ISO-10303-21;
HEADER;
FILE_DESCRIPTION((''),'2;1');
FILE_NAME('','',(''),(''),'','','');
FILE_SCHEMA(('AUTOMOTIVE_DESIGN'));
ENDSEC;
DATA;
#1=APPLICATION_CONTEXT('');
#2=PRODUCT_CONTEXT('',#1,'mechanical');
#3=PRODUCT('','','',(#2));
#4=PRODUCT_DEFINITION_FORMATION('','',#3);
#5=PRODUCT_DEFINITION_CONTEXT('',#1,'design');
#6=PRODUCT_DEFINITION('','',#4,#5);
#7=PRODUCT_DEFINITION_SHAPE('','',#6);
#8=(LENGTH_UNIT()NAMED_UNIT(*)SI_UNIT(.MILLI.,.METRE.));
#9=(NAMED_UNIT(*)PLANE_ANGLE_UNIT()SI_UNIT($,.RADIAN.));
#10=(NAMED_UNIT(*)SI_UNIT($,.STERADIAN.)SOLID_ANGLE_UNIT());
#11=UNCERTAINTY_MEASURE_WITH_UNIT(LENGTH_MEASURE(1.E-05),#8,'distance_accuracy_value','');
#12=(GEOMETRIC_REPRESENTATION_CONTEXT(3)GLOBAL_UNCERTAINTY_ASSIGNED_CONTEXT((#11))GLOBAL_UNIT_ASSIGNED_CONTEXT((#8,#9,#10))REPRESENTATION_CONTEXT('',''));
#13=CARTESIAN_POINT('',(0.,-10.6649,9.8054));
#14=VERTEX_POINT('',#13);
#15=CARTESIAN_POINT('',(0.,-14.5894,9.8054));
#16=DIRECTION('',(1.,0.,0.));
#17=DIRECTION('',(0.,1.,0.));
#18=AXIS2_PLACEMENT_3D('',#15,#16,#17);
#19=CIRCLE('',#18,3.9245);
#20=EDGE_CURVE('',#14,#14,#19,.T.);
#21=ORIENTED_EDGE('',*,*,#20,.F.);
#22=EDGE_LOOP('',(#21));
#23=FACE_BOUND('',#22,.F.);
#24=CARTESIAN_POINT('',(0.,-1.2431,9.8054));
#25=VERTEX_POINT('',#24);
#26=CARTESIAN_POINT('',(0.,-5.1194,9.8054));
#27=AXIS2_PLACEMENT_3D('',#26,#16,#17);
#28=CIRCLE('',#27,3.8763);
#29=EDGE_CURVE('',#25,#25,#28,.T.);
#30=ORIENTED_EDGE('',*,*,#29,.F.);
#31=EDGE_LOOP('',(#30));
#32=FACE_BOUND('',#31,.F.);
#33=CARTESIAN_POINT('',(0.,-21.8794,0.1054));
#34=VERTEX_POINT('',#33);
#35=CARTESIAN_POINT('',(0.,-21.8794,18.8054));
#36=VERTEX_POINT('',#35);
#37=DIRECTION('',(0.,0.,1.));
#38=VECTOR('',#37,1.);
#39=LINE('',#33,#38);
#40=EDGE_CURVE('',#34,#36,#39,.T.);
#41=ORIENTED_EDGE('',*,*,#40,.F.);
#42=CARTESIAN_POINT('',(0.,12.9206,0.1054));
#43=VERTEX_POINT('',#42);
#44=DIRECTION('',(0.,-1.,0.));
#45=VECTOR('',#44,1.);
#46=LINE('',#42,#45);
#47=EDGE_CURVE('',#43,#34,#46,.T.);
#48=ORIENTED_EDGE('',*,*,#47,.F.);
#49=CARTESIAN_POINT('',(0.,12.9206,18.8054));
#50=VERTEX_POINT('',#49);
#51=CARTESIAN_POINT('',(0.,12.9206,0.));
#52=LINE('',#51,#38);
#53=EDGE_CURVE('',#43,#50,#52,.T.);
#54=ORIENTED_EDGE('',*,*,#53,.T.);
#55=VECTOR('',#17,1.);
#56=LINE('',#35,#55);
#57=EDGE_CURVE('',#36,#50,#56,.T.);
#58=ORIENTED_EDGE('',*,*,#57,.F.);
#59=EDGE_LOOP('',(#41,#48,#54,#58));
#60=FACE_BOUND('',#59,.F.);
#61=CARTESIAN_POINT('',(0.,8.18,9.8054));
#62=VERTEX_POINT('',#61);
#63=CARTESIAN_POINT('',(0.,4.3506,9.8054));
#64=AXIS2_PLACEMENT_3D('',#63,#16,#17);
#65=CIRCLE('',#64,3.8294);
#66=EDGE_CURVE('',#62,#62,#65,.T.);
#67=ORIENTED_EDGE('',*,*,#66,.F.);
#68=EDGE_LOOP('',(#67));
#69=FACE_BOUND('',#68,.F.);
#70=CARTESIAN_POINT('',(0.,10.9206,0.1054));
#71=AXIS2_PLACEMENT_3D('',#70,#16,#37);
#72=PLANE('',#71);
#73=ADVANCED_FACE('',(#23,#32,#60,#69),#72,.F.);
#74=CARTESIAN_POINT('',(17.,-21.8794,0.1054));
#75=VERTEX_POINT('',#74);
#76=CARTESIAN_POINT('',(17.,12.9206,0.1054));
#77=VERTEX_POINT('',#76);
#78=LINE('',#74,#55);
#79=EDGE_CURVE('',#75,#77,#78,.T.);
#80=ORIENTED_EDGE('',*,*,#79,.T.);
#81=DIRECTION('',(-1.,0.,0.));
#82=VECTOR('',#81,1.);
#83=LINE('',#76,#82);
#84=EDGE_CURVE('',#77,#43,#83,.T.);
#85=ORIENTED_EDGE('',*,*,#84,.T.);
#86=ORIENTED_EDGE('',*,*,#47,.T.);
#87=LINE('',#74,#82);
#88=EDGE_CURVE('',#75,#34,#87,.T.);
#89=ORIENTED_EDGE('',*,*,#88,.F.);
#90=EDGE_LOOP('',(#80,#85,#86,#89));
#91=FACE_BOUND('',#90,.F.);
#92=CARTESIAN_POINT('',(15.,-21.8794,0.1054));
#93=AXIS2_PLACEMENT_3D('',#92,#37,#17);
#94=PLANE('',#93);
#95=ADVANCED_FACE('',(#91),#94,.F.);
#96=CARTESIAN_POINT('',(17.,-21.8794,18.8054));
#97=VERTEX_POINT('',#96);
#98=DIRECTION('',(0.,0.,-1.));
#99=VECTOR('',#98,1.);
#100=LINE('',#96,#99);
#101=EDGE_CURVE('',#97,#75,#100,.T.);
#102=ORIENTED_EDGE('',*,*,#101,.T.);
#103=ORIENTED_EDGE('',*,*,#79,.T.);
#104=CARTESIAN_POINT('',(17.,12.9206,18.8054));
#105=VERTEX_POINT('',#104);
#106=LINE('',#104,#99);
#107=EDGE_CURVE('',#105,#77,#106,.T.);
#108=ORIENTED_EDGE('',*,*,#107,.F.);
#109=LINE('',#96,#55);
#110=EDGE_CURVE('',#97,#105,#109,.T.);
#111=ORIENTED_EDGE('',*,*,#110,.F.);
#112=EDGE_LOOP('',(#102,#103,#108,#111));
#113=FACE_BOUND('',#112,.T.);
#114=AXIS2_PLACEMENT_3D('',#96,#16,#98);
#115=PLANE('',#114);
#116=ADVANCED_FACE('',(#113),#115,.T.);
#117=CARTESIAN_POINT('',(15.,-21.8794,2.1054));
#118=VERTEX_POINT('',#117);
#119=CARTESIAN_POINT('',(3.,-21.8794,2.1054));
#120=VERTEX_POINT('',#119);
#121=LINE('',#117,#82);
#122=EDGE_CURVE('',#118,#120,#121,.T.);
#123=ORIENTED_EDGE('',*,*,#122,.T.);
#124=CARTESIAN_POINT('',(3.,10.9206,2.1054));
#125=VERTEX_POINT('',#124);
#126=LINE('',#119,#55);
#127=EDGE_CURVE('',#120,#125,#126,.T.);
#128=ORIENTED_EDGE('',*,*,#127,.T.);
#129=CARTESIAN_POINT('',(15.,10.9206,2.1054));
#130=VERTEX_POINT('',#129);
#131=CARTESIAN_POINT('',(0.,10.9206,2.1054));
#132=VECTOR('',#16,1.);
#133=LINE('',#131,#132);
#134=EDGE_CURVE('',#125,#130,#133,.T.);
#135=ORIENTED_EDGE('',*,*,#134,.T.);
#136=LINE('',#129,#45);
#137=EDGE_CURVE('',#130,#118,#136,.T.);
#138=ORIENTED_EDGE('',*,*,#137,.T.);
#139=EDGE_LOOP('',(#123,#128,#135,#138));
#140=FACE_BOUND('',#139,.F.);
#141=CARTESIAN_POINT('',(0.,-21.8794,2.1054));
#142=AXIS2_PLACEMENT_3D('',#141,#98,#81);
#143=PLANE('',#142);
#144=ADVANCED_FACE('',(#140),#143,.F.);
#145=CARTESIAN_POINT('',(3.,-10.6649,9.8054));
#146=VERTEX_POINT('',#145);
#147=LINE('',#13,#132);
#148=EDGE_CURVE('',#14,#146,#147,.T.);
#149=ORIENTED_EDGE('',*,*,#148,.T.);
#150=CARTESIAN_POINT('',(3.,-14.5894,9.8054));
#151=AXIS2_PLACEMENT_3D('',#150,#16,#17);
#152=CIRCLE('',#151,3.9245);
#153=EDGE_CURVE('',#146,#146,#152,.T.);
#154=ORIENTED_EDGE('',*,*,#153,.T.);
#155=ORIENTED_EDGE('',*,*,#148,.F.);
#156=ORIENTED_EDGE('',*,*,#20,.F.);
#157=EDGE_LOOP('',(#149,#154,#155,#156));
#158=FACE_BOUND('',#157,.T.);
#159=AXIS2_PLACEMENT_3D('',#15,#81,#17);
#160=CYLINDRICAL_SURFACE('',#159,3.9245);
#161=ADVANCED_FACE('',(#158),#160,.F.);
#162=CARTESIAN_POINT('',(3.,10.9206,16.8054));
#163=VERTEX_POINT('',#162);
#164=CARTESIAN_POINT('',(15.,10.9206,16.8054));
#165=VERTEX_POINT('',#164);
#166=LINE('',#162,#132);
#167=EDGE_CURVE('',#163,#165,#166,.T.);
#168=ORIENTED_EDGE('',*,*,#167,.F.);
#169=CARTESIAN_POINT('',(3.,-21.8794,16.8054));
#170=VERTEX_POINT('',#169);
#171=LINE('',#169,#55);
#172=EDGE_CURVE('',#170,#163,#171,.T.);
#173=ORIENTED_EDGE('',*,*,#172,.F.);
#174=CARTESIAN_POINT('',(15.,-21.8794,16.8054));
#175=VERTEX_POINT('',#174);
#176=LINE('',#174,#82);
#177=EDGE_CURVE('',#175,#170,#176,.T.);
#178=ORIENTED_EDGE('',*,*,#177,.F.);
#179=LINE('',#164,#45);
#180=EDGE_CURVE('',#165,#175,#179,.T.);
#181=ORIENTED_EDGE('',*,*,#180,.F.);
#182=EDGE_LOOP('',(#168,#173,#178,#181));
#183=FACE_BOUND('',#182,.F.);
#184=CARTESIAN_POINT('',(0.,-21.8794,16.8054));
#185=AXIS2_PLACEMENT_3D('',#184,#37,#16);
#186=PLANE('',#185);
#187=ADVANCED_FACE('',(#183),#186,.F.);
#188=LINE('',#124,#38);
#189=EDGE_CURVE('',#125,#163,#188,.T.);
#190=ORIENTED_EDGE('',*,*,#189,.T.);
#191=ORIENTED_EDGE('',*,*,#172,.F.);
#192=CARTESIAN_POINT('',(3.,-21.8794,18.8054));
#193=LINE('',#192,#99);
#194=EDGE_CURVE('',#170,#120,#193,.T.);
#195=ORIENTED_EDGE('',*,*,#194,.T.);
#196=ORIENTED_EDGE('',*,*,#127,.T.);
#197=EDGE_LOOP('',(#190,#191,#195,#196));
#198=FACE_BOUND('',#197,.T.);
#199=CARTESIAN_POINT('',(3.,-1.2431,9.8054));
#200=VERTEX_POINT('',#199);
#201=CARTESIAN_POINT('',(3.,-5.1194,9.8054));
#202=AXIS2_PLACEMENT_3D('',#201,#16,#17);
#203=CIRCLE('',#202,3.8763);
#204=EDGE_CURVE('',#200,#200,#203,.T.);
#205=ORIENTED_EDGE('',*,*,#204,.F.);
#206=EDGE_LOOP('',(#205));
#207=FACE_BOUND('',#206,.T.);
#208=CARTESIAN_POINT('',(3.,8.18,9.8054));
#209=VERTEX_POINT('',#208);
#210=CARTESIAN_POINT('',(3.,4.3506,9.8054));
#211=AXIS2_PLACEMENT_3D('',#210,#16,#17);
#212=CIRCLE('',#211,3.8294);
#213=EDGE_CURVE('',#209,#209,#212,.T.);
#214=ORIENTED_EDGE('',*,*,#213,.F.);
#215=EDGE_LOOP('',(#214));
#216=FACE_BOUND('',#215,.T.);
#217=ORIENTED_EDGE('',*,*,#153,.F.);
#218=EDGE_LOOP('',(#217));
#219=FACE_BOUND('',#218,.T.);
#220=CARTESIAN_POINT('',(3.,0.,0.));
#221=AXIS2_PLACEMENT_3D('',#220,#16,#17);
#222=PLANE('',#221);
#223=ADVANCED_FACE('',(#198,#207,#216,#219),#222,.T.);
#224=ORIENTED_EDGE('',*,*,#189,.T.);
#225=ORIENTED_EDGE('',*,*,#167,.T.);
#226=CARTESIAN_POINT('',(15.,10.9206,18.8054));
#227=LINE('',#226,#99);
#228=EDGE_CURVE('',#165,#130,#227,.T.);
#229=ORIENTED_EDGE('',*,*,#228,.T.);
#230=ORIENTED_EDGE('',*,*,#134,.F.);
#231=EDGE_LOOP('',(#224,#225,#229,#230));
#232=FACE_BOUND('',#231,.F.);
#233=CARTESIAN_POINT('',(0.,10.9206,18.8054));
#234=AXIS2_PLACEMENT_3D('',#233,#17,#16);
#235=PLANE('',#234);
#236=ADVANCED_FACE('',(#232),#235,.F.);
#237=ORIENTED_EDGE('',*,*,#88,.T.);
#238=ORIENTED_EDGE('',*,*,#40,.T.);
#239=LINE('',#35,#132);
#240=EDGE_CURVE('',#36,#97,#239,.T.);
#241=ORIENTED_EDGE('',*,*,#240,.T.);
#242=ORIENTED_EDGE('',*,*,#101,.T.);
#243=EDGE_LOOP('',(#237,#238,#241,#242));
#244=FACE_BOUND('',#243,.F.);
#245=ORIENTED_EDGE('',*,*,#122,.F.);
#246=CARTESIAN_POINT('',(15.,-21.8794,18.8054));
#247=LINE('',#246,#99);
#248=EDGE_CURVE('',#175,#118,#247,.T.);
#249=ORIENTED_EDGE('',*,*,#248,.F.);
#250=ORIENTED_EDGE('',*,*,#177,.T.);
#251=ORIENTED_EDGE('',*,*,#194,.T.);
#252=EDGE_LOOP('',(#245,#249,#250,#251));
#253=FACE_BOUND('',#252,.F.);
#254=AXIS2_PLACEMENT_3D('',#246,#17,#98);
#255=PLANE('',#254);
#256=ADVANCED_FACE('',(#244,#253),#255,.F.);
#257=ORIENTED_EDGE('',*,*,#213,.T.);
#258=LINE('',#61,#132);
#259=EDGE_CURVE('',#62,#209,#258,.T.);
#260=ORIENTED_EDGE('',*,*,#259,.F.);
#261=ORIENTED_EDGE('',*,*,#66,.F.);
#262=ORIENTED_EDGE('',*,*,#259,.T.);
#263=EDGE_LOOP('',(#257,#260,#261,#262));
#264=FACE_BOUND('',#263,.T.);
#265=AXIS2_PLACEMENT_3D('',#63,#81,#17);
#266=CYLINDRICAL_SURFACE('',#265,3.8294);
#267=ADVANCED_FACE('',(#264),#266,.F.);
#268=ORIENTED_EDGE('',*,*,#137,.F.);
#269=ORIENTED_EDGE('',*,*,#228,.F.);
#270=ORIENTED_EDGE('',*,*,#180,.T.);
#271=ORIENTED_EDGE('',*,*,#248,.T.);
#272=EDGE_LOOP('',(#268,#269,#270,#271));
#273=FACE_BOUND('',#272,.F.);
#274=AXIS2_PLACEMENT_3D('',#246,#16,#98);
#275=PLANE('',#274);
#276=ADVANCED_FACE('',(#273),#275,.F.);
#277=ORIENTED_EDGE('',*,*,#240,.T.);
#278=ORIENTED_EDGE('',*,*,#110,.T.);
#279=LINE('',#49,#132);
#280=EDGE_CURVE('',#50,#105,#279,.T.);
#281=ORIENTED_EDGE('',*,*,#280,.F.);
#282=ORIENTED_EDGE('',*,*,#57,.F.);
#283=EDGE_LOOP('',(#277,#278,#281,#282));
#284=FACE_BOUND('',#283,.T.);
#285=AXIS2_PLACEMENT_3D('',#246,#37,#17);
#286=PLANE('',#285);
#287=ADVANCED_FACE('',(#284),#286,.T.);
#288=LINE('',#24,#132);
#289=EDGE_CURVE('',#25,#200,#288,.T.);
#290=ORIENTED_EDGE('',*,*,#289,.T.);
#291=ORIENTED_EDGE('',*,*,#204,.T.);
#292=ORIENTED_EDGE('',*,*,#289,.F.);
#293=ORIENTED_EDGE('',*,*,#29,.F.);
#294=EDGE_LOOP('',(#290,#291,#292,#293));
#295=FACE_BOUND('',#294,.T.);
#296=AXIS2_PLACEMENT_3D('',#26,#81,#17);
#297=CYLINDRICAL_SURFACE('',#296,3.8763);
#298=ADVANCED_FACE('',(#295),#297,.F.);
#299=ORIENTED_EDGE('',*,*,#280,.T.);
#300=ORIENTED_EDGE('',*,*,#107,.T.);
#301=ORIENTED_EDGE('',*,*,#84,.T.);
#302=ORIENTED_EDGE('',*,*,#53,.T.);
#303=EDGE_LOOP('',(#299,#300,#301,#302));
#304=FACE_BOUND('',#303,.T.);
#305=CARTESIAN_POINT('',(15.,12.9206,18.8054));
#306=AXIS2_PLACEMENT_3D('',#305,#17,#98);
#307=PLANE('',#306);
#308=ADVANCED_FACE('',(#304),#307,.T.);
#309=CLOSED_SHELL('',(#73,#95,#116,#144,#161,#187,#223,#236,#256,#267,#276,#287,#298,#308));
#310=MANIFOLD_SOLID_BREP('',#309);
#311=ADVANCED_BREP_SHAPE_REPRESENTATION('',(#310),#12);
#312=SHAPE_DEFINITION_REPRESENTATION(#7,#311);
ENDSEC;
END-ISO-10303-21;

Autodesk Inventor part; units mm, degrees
ref_plane "YZ Plane" through (0, 0, 0) normal (1, 0, 0) x (0, 1, 0)
ref_plane "XZ Plane" through (0, 0, 0) normal (0, 1, 0) x (-1, 0, 0)
ref_plane "XY Plane" through (0, 0, 0) normal (0, 0, 1) x (1, 0, 0)
sketch "Esboço1" plane through (0, 0, 0) normal (1, 0, 0) x (0, 1, 0)
  line L0 (10.9206, 18.8054) -> (-21.8794, 18.8054)
  line L1 (-21.8794, 18.8054) -> (-21.8794, 2.1054)
  line L2 (-21.8794, 2.1054) -> (10.9206, 2.1054)
  line L3 (10.9206, 2.1054) -> (10.9206, 18.8054)
  circle A0 centre (4.3506, 9.8054) radius 3.25
  circle A1 centre (4.3506, 9.8054) radius 3.8294
  circle A2 centre (-5.1194, 9.8054) radius 3.25
  circle A3 centre (-5.1194, 9.8054) radius 3.8763
  circle A4 centre (-14.5894, 9.8054) radius 3.25
  circle A5 centre (-14.5894, 9.8054) radius 3.9245
  point P0 (0, 0)
  point P1 (-5.4794, 18.8054)
  dimension "d0" = 32.8
  dimension "d1" = 16.7
  dimension "d2" = 32.8
  dimension "d7" = 6.5
  dimension "d8" = 6.5
  dimension "d9" = 6.5
  dimension "d22" = 9
  dimension "d23" = 9
  dimension "d24" = 9
extrude "Extrusão1" add sketch "Esboço1" along normal blind 3 contours L3 L2 L1 L0
sketch "Esboço2" plane through (0, -21.8794, 18.8054) normal (0, 0, 1) x (1, 0, 0)
  line L0 (3, 0) -> (3, 32.8) projected
  line L1 (0, 32.8) -> (3, 32.8) projected
  line L2 (3, 32.8) -> (15, 32.8)
  line L3 (15, 32.8) -> (15, 0)
  line L4 (15, 0) -> (3, 0)
  point P0 (0, 21.8794)
  dimension "d13" = 12
extrude "Extrusão2" add sketch "Esboço2" against normal blind 2
sketch "Esboço3" plane through (0, -21.8794, 16.8054) normal (0, 0, -1) x (-1, 0, 0)
  line L0 (0, 32.8) -> (-3, 32.8) projected
  line L1 (0, 32.8) -> (-15, 32.8) projected
  line L2 (-3, 32.8) -> (-15, 32.8)
  line L3 (-15, 32.8) -> (-15, 0.0164)
  line L4 (-15, 0.0164) -> (-3, 0.0164)
  point P0 (0, 21.8794)
sketch "Esboço4" plane through (0, -21.8794, 2.1054) normal (0, 0, -1) x (-1, 0, 0)
  line L0 (0, 32.8) -> (-3, 32.8) projected
  line L1 (0, 32.8) -> (-15, 32.8)
  line L2 (-15, 32.8) -> (-15, 0) projected
  line L3 (-15, 32.8) -> (-15, 0)
  line L4 (-15, 0) -> (0, 0)
  line L5 (0, 32.8) -> (0, 0) projected
  line L6 (0, 0) -> (0, 32.8)
  point P0 (0, 21.8794)
extrude "Extrusão3" add sketch "Esboço4" along normal blind 2
sketch "Esboço5" plane through (0, 10.9206, 18.8054) normal (0, 1, 0) x (1, 0, 0)
  line L0 (0, 0) -> (15, 0) projected
  line L1 (15, 18.7) -> (0, 18.7) projected
  line L2 (15, 0) -> (15, 18.7)
  line L3 (15, 18.7) -> (0, 18.8054)
  line L4 (0, 18.8054) -> (0, 0)
  line L5 (0, 0) -> (15, 0)
  point P0 (0, 18.7)
extrude "Extrusão4" add sketch "Esboço5" along normal blind 2 contours L4 L1 L2 L0
sketch "Esboço6" plane through (15, -21.8794, 18.8054) normal (1, 0, 0) x (0, 0, -1)
  line L0 (0, 34.8) -> (18.7, 34.8) projected
  line L1 (0, 0) -> (0, 34.8) projected
  line L2 (0, 34.8) -> (0, 0)
  line L3 (0, 0) -> (18.7, 0)
  line L4 (18.7, 0) -> (18.7, 34.8) projected
  line L5 (18.7, 0) -> (18.7, 34.8)
  line L6 (18.7, 34.8) -> (0, 34.8)
  point P0 (18.8054, 21.8794)
extrude "Extrusão5" add sketch "Esboço6" along normal blind 2
sketch "Esboço7" plane through (0, -21.8794, 18.8054) normal (0, 0, 1) x (1, 0, 0)
  point P0 (0, 21.8794)
properties part number "semaforoEsboço"
